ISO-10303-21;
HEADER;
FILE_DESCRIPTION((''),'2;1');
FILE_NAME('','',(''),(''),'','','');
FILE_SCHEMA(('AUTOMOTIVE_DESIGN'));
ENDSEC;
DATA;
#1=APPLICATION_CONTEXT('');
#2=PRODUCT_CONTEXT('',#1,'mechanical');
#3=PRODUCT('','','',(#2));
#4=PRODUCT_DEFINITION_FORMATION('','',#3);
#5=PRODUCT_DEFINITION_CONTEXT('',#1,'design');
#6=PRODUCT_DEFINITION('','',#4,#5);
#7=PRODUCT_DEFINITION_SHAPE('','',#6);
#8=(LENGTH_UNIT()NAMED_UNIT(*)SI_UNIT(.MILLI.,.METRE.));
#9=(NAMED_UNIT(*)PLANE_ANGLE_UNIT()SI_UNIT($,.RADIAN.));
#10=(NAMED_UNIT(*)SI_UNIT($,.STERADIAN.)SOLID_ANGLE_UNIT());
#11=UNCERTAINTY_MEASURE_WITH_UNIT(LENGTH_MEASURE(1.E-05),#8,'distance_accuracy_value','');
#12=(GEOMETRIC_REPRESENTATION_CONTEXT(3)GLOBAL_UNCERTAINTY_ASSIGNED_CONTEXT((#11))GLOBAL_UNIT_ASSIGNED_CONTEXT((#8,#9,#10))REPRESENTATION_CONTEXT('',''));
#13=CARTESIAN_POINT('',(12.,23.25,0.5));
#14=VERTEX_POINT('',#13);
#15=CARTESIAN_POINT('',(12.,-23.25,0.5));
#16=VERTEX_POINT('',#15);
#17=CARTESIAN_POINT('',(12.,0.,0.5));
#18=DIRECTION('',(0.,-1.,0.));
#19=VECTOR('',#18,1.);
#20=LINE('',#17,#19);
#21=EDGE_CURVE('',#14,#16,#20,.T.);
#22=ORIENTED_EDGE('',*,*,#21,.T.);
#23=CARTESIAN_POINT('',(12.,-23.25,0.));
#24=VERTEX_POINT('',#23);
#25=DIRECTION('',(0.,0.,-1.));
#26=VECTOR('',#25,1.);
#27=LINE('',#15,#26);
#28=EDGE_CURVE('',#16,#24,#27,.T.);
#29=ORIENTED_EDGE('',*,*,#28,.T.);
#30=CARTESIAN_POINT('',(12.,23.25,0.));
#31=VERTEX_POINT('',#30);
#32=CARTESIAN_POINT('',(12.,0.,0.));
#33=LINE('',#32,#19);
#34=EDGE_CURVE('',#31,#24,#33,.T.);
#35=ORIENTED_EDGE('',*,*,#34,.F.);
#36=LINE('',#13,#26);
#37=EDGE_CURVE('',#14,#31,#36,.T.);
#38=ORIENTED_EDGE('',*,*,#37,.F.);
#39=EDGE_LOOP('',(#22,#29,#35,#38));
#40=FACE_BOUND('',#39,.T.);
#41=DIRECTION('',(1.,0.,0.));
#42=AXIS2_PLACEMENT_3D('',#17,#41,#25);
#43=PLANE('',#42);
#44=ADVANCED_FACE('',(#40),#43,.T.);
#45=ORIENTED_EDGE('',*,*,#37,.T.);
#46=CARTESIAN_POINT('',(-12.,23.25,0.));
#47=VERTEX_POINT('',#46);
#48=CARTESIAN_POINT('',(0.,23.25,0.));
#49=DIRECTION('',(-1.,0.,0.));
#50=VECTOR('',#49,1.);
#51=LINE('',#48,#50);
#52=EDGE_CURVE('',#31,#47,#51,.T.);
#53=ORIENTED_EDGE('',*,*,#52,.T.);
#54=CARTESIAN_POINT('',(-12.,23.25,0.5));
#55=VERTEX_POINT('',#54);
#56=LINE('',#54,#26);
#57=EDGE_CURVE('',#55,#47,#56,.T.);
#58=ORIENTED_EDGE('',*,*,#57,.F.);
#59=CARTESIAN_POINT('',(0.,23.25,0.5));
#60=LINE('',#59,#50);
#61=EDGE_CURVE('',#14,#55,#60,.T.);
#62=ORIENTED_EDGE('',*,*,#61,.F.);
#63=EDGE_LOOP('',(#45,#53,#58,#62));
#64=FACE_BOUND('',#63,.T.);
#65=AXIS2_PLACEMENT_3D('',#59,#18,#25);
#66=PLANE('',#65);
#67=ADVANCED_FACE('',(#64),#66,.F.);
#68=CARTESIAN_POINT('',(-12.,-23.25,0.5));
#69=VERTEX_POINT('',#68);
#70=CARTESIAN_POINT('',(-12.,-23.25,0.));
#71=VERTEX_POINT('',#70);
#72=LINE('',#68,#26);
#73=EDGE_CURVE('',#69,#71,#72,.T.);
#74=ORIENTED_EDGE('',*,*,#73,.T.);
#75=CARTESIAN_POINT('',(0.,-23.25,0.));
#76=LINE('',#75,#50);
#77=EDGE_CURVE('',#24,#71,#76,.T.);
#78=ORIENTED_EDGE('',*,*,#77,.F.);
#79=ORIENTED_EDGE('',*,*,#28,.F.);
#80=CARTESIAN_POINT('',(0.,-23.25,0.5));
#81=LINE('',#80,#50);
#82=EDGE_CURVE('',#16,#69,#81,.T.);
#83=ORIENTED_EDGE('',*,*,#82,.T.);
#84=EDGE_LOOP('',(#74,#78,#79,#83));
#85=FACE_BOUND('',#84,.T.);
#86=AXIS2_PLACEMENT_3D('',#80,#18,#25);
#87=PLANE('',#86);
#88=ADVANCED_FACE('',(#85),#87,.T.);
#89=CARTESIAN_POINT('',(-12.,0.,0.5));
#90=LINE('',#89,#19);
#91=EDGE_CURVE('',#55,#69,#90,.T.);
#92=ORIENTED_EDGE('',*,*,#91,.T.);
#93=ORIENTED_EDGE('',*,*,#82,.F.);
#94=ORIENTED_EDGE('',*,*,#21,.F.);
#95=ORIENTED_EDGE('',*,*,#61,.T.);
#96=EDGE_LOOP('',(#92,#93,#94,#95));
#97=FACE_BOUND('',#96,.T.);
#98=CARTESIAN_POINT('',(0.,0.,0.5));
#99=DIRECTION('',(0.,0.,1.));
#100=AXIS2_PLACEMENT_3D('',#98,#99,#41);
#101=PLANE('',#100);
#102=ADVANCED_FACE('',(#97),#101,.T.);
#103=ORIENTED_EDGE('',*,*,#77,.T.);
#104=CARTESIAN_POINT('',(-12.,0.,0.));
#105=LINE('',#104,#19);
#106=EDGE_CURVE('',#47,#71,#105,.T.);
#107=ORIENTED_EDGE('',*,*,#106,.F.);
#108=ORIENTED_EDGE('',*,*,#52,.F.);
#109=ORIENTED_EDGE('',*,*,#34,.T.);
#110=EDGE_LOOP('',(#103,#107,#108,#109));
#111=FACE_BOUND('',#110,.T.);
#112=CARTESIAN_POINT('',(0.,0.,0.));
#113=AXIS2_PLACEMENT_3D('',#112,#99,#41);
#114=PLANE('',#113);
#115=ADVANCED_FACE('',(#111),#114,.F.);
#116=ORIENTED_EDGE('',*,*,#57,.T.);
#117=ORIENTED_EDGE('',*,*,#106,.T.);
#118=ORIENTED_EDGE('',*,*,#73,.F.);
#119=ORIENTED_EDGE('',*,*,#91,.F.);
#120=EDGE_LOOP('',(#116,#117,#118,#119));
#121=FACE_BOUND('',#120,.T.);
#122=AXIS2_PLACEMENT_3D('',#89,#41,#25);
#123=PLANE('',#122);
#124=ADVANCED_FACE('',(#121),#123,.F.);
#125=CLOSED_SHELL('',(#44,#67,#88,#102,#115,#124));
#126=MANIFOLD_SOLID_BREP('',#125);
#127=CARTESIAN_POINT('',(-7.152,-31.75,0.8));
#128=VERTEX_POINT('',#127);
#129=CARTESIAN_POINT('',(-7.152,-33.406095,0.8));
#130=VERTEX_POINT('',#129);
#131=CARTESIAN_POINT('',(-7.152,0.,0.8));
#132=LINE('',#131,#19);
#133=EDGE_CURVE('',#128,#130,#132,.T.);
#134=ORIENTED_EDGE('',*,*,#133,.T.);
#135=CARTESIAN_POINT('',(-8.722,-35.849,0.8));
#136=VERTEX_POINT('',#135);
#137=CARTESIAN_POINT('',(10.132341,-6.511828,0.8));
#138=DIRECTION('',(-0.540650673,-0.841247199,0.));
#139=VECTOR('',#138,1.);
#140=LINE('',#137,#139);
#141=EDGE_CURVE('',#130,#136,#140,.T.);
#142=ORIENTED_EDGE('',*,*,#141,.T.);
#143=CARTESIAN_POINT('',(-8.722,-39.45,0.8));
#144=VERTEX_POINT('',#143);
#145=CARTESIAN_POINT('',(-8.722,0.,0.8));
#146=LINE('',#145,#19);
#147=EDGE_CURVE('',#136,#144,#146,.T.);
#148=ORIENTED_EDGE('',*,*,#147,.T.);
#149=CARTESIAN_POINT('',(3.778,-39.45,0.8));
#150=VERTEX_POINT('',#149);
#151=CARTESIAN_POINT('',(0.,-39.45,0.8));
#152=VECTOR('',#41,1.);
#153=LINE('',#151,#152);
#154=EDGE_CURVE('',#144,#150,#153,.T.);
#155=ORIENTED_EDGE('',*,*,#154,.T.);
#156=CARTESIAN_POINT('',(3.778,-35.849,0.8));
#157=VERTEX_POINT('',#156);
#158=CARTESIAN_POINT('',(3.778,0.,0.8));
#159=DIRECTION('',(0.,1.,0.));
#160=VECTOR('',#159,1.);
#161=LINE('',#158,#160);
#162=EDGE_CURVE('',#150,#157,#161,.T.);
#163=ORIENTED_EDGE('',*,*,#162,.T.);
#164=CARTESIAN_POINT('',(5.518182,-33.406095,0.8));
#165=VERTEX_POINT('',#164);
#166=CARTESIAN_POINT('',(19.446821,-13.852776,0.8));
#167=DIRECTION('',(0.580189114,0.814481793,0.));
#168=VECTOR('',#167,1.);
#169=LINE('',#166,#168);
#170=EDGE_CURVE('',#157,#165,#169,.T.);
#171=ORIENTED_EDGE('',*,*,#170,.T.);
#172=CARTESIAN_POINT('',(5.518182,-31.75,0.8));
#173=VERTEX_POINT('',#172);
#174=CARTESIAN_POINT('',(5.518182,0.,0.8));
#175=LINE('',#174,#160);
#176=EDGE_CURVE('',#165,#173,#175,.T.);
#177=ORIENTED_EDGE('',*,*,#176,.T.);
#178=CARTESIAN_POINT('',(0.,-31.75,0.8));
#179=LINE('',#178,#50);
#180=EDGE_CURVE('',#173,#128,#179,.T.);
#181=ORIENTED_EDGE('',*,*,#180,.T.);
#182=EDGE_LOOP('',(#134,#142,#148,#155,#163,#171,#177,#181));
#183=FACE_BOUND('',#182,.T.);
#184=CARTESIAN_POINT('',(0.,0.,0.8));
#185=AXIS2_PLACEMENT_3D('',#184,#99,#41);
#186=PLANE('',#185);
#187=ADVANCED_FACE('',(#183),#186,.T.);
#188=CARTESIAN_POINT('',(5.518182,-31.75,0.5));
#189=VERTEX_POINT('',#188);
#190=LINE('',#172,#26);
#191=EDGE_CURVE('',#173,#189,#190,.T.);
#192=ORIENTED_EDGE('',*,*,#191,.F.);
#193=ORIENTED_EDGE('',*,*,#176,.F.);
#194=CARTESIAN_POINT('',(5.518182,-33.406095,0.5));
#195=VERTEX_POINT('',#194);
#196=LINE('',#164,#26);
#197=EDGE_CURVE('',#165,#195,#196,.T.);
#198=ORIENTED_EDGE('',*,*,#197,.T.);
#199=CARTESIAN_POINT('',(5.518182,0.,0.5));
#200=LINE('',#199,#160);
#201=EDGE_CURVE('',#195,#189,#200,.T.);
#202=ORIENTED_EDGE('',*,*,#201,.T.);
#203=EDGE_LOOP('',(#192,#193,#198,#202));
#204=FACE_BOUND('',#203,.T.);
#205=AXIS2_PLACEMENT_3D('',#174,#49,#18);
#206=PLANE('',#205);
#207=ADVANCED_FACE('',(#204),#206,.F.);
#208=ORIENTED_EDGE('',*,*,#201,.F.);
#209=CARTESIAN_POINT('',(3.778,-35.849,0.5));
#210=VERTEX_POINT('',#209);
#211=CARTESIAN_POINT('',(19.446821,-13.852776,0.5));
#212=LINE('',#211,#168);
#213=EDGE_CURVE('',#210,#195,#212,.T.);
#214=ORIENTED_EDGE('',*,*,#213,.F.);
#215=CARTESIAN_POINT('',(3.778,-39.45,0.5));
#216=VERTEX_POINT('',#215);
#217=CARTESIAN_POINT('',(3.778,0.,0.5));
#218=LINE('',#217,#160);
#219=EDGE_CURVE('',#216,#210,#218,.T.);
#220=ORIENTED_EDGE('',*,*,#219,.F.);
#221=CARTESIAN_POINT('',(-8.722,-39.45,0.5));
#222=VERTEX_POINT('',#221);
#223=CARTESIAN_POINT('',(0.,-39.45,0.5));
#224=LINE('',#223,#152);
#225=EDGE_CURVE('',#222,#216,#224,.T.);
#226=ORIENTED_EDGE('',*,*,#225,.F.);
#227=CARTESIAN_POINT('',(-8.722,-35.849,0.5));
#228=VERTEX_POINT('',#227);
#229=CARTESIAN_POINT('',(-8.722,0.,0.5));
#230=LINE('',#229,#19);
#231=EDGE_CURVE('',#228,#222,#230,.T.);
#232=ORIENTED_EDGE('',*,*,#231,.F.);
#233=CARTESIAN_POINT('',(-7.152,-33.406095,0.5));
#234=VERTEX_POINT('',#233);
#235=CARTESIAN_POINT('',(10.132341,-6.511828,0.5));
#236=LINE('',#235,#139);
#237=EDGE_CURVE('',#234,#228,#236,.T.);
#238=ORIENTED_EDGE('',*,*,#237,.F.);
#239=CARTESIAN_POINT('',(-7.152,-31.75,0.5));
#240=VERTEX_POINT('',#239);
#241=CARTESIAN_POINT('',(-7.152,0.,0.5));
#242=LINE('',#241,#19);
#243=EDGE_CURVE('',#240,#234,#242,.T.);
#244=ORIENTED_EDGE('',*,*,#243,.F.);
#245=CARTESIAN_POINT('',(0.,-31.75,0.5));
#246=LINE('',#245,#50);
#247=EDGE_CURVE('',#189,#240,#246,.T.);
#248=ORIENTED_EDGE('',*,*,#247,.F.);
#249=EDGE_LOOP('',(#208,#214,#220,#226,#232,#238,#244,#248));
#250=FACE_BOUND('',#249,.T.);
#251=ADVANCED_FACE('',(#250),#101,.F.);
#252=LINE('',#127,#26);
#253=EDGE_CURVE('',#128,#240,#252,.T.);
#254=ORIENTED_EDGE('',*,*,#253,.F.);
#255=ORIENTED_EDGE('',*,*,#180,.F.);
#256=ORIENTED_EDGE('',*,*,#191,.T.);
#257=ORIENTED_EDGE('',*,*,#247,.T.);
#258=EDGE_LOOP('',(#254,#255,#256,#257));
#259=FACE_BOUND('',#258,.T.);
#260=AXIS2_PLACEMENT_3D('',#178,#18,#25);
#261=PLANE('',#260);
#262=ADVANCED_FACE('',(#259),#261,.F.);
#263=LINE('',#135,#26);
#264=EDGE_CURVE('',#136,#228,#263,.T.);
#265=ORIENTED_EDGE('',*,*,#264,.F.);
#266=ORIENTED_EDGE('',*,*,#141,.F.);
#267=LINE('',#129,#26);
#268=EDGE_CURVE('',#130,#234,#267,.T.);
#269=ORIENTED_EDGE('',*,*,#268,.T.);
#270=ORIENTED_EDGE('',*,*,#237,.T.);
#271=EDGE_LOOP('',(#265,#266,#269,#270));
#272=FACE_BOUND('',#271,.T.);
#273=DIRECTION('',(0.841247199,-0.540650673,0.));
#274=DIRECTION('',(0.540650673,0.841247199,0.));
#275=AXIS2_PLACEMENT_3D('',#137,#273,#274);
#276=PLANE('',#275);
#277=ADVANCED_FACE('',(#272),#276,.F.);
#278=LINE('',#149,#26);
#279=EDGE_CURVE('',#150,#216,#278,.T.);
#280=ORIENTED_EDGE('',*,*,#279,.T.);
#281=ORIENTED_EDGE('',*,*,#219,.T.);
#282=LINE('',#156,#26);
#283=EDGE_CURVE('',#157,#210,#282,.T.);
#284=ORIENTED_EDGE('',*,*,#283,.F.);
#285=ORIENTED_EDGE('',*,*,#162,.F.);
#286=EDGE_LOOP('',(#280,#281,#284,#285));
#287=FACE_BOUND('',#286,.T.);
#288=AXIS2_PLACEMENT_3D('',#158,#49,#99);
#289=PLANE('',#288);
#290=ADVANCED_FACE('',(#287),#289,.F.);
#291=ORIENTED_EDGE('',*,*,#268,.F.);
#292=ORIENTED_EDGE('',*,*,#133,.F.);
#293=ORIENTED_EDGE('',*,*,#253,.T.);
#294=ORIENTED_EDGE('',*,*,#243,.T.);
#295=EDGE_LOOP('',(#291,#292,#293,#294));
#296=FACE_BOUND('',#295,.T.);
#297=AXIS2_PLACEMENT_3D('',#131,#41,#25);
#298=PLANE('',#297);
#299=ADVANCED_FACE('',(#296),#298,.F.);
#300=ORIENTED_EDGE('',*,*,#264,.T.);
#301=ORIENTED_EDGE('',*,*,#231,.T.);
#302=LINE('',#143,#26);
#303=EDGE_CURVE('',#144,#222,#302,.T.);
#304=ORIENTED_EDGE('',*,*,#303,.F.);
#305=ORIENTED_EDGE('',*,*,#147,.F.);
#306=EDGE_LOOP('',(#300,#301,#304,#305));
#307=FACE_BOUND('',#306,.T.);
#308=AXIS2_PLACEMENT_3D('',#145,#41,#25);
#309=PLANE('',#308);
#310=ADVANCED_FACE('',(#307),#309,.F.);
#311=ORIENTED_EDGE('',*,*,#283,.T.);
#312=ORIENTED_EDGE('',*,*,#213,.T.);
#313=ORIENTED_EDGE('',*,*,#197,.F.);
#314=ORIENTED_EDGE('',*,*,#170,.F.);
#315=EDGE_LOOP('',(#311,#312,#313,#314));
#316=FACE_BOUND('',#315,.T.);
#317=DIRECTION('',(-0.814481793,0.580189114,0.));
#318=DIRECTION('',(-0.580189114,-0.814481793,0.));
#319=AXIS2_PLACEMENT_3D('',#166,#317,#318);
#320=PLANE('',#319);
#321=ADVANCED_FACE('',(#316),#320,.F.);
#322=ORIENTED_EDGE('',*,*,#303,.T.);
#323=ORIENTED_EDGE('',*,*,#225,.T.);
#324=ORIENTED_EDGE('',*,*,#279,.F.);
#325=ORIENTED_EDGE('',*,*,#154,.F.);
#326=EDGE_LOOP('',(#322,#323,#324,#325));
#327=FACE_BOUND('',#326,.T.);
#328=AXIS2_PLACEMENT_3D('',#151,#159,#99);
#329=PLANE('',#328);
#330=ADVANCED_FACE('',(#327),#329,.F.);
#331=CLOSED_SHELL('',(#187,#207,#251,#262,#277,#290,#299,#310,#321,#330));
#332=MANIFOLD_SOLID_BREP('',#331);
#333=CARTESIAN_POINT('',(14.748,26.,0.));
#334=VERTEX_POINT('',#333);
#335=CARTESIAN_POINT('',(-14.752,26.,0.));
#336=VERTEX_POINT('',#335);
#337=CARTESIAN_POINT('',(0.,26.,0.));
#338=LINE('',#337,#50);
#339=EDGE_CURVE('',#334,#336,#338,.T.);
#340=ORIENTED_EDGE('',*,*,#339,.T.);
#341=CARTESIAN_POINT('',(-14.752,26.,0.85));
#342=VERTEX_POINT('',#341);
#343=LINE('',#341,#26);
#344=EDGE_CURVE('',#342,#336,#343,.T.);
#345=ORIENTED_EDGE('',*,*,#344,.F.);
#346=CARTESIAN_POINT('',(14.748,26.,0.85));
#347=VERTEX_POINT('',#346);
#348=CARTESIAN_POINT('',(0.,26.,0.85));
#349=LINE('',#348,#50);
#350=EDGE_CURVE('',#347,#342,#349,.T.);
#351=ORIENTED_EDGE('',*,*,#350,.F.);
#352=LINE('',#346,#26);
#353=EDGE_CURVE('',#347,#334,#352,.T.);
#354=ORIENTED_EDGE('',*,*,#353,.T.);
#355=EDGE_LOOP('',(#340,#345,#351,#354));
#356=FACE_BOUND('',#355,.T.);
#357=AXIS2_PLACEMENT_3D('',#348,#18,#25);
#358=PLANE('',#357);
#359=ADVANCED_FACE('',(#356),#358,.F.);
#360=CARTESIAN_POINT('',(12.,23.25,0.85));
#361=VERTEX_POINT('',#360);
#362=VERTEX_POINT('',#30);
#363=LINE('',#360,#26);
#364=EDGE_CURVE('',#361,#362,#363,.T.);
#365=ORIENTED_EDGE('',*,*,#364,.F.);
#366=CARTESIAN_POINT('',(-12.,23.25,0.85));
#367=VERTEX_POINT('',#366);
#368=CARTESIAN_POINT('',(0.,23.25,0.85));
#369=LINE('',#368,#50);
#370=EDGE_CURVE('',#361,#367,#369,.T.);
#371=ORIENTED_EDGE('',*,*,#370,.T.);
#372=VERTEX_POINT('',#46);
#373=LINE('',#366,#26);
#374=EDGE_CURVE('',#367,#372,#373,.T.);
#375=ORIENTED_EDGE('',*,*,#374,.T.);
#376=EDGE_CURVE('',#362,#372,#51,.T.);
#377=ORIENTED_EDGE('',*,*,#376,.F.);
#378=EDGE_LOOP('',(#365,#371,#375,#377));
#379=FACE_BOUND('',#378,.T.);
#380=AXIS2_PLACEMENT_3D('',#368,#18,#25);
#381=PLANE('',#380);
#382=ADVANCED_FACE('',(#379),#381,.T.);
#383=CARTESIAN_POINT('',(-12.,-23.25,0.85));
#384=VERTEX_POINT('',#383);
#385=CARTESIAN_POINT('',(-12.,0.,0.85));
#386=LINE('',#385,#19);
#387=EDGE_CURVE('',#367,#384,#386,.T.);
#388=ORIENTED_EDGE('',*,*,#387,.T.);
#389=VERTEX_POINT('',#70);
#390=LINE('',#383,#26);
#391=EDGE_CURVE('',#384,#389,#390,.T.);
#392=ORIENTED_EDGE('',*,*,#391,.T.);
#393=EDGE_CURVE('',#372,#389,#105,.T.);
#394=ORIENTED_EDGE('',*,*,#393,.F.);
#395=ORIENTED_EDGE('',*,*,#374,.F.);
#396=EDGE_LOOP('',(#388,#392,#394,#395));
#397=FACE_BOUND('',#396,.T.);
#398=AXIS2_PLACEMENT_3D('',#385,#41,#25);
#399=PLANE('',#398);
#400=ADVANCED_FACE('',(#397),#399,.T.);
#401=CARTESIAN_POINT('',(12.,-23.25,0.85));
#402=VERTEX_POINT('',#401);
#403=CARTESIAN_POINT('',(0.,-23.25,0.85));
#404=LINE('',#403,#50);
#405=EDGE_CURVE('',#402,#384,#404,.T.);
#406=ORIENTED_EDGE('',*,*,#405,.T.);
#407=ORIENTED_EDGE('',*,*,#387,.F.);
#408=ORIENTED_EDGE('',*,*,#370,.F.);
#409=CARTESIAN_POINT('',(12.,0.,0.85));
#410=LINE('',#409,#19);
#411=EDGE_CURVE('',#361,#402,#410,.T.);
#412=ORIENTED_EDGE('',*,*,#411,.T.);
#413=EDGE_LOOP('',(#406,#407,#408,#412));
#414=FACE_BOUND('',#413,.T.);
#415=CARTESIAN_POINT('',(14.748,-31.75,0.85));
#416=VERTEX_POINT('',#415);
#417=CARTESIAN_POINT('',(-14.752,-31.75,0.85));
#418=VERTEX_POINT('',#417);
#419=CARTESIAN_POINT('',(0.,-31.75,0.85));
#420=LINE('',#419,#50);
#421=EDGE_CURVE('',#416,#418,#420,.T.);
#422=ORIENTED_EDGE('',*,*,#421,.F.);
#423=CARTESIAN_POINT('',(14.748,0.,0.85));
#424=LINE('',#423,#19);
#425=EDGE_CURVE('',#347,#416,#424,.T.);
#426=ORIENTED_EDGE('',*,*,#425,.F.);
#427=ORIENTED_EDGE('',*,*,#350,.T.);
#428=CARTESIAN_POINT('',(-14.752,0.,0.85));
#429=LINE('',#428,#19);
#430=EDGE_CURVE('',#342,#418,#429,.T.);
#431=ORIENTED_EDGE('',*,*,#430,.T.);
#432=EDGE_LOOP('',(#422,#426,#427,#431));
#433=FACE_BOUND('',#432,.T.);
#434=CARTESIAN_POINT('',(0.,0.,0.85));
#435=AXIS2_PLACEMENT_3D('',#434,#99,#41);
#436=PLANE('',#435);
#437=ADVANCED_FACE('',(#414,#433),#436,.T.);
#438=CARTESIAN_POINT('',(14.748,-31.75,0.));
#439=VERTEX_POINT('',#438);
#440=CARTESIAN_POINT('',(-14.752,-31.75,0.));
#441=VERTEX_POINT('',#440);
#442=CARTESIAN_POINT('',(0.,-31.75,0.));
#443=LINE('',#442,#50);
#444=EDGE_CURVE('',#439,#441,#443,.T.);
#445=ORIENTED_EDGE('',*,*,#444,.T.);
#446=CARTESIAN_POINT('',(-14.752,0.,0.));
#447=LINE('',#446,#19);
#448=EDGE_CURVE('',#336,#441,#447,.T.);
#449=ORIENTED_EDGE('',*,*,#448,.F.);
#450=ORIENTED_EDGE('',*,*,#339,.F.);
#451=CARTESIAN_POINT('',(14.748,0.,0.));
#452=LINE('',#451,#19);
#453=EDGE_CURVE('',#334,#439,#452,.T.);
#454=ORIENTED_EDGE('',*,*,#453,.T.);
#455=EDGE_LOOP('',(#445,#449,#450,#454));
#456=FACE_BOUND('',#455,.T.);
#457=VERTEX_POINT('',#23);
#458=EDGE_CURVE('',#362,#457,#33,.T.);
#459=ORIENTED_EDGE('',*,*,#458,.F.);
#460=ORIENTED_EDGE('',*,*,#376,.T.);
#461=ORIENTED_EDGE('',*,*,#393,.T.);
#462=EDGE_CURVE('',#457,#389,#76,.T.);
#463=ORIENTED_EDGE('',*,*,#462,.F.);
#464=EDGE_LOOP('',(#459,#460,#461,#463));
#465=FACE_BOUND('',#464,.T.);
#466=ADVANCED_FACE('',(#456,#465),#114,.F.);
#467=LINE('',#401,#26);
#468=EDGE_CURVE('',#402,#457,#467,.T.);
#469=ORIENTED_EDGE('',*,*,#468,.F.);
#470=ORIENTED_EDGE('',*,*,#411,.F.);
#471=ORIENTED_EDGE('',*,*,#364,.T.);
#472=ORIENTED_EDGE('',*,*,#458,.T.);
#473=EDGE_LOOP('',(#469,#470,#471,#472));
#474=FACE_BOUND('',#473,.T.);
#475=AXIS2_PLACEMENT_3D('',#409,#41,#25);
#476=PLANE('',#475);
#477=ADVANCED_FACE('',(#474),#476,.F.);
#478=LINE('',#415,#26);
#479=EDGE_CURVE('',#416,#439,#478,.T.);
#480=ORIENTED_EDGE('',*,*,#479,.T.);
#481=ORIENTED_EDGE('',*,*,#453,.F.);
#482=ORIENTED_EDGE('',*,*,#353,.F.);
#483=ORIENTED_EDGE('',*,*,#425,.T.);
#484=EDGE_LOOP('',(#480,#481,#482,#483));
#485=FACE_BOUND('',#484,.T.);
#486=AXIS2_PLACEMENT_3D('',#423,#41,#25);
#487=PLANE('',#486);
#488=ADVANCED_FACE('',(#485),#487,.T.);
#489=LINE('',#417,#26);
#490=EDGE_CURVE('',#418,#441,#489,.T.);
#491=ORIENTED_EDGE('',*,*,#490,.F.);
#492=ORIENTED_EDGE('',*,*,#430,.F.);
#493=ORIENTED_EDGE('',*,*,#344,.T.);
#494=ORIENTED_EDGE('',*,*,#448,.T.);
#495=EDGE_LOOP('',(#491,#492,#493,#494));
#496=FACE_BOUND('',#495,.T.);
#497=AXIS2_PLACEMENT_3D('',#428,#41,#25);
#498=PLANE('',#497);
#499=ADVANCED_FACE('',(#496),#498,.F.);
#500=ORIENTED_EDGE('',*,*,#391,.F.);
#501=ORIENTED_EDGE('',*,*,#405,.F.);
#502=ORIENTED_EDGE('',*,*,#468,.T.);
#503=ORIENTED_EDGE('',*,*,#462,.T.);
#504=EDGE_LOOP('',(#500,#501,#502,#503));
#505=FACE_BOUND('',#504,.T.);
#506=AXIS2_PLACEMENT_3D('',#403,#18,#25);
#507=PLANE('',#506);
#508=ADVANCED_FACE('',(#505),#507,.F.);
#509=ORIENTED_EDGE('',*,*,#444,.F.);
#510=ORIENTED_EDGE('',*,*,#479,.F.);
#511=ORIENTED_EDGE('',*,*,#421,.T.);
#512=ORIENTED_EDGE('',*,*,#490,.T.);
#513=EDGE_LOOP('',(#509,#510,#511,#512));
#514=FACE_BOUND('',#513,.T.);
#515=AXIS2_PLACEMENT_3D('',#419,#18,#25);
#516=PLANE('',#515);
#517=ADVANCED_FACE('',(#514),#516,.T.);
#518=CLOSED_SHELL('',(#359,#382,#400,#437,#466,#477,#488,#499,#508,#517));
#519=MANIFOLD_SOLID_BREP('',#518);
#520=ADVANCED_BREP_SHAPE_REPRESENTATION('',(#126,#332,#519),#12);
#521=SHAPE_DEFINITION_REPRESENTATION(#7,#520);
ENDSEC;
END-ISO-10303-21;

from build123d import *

# Parameters (mm, degrees)
MAIN_FEATURES_SKETCH_W = 24
MAIN_FEATURES_SKETCH_H = 46.5
DISPLAY_DEPTH          = 0.5
SKETCH1_3_W            = 24
SKETCH1_3_H            = 46.5
BEZEL_DEPTH            = 0.85
CABLE_START            = 0.5
CABLE_DEPTH            = 0.3


with BuildPart() as part:
    # main_features_sketch → display (new body)
    with BuildSketch(Plane.XY):
        Rectangle(MAIN_FEATURES_SKETCH_W, MAIN_FEATURES_SKETCH_H)
    extrude(amount=DISPLAY_DEPTH)


with BuildPart() as body_2:
    # Sketch1<3> → bezel (new body)
    with BuildSketch(Plane.XY):
        Polygon((-14.752, -31.75), (-7.152, -31.75), (5.518182239, -31.75), (14.748, -31.75), (14.748, 26), (-14.752, 26), align=None)
        Rectangle(SKETCH1_3_W, SKETCH1_3_H, mode=Mode.SUBTRACT)
    extrude(amount=BEZEL_DEPTH)


with BuildPart() as body_3:
    # Sketch1<4> → cable (new body)
    with BuildSketch(Plane.XY.offset(CABLE_START)):
        Polygon((5.518182239, -31.75), (-7.152, -31.75), (-7.152, -33.406095238), (-8.722, -35.849), (-8.722, -39.45), (3.778, -39.45), (3.778, -35.849), (5.518182239, -33.406095238), align=None)
    extrude(amount=CABLE_DEPTH)


solid = Compound([part.part, body_2.part, body_3.part])
